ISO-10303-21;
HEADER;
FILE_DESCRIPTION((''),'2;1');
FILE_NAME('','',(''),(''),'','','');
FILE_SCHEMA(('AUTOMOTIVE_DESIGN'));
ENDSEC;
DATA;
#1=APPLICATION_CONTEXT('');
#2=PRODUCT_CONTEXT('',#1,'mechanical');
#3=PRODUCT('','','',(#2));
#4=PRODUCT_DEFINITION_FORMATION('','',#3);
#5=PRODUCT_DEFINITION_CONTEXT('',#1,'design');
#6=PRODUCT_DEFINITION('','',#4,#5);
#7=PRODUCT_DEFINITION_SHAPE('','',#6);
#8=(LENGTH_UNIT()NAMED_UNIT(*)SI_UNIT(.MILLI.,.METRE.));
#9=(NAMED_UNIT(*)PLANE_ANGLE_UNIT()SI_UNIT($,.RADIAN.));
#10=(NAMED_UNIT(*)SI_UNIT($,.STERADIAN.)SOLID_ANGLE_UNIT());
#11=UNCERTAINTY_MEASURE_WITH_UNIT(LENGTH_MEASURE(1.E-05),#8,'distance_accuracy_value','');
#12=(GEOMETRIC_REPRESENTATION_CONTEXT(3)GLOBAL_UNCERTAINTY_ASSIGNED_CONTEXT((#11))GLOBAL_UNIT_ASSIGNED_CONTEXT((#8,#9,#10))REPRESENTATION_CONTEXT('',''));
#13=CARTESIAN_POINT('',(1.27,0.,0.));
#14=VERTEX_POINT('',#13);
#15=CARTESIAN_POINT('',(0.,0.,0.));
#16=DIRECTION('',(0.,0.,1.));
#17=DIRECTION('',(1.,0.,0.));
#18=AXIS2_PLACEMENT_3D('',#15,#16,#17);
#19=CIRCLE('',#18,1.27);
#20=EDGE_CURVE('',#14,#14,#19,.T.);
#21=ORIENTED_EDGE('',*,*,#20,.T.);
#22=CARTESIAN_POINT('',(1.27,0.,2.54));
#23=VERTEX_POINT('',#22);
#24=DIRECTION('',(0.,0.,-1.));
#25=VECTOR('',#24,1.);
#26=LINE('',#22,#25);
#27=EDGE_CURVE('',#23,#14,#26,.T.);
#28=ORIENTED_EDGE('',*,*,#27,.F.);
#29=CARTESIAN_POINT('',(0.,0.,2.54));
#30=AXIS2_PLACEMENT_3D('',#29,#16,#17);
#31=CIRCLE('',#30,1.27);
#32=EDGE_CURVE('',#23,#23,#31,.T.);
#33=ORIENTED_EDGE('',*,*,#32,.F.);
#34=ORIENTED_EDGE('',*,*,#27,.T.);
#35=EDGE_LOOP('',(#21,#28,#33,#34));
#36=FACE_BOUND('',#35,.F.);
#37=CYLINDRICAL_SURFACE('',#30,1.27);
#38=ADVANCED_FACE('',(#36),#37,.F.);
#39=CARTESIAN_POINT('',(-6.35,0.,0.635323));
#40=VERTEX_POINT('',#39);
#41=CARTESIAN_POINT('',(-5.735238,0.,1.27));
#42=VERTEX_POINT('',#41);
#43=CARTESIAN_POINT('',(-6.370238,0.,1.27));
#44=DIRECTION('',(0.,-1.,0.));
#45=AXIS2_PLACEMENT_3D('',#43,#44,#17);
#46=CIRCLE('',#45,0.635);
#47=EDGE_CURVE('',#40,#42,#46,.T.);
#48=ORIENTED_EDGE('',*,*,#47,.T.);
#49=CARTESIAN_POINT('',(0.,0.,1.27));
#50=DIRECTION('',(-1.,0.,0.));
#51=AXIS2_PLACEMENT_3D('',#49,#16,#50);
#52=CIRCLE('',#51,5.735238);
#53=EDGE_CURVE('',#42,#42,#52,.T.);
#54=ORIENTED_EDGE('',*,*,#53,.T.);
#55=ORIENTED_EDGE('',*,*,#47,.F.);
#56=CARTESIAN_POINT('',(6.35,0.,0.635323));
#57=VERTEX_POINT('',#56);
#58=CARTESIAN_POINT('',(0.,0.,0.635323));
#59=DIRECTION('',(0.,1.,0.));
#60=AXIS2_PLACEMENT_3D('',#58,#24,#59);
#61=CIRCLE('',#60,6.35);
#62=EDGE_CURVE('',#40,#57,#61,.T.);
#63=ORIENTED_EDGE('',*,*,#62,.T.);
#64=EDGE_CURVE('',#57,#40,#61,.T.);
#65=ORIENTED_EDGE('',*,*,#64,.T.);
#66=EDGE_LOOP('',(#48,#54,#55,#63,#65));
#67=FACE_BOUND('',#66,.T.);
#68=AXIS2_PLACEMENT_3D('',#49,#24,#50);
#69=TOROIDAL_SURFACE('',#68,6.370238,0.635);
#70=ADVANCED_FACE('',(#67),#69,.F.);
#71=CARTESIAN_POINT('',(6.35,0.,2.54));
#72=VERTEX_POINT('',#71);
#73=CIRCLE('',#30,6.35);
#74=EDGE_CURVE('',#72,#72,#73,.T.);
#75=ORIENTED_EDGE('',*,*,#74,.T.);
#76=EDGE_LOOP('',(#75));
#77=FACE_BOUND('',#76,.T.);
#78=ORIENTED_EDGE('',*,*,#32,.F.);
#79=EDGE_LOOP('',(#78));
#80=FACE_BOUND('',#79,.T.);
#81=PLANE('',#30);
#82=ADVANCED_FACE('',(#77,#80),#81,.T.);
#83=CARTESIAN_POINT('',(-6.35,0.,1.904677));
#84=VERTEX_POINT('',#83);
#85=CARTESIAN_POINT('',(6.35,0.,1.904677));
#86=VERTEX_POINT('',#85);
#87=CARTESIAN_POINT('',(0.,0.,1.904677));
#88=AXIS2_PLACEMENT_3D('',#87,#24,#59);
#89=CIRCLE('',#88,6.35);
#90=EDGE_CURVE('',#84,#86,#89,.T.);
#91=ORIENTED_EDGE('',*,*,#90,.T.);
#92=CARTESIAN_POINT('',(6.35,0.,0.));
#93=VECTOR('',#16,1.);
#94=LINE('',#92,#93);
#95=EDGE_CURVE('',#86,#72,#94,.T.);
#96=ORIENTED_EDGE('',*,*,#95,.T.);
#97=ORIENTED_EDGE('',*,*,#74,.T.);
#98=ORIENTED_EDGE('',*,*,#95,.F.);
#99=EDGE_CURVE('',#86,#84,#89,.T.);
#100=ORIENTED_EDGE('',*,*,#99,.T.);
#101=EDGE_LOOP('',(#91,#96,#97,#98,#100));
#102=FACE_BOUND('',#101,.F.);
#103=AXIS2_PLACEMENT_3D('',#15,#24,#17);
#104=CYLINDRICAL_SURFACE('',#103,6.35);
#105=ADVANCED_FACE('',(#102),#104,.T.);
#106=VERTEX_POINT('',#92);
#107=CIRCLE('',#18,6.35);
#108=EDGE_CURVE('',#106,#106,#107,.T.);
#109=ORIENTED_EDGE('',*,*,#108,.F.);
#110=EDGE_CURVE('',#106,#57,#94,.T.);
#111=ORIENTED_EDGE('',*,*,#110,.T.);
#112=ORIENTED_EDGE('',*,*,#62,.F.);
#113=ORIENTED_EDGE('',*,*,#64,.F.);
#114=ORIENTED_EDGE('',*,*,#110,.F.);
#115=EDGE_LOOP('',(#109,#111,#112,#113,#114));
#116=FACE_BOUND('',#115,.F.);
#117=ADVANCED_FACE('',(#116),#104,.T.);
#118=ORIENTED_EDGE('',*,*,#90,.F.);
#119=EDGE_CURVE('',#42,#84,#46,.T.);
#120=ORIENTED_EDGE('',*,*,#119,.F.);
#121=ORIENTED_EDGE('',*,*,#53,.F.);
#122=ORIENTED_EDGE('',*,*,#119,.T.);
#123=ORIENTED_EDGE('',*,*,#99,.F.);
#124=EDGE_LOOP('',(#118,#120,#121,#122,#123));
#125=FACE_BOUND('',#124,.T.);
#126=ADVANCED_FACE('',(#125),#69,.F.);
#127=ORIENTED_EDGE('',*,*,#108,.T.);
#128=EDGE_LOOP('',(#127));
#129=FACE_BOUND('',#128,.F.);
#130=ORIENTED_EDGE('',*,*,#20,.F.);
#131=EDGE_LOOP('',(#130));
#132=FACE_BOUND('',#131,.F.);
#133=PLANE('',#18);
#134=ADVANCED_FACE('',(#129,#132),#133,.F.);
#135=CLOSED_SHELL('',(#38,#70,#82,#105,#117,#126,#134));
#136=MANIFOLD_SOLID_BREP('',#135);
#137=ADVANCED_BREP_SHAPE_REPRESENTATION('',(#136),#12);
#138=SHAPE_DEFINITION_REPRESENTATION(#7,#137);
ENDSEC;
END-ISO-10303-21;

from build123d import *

# Parameters (mm, degrees)
F0_R     = 6.35
F1_DEPTH = 2.54
F2_R     = 0.635
F4_R     = 1.27
F5_DEPTH = 2.54


with BuildPart() as f1:
    # F0 (on Top) → F1 (new body)
    with BuildSketch(Plane.XY):
        Circle(F0_R)
    extrude(amount=F1_DEPTH)

    # F2 (on Front) → F3 (revolve, cut)
    with BuildSketch(Plane.XZ):
        with Locations((-6.370238, 1.27)):
            Circle(F2_R)
    revolve(axis=Axis((0, 0, 2.54), (0, 0, 1)), mode=Mode.SUBTRACT)

    # F4 (on face) → F5 (cut)
    with BuildSketch(Plane.XY.offset(2.54)):
        Circle(F4_R)
    extrude(amount=-F5_DEPTH, mode=Mode.SUBTRACT)


solid = f1.part
